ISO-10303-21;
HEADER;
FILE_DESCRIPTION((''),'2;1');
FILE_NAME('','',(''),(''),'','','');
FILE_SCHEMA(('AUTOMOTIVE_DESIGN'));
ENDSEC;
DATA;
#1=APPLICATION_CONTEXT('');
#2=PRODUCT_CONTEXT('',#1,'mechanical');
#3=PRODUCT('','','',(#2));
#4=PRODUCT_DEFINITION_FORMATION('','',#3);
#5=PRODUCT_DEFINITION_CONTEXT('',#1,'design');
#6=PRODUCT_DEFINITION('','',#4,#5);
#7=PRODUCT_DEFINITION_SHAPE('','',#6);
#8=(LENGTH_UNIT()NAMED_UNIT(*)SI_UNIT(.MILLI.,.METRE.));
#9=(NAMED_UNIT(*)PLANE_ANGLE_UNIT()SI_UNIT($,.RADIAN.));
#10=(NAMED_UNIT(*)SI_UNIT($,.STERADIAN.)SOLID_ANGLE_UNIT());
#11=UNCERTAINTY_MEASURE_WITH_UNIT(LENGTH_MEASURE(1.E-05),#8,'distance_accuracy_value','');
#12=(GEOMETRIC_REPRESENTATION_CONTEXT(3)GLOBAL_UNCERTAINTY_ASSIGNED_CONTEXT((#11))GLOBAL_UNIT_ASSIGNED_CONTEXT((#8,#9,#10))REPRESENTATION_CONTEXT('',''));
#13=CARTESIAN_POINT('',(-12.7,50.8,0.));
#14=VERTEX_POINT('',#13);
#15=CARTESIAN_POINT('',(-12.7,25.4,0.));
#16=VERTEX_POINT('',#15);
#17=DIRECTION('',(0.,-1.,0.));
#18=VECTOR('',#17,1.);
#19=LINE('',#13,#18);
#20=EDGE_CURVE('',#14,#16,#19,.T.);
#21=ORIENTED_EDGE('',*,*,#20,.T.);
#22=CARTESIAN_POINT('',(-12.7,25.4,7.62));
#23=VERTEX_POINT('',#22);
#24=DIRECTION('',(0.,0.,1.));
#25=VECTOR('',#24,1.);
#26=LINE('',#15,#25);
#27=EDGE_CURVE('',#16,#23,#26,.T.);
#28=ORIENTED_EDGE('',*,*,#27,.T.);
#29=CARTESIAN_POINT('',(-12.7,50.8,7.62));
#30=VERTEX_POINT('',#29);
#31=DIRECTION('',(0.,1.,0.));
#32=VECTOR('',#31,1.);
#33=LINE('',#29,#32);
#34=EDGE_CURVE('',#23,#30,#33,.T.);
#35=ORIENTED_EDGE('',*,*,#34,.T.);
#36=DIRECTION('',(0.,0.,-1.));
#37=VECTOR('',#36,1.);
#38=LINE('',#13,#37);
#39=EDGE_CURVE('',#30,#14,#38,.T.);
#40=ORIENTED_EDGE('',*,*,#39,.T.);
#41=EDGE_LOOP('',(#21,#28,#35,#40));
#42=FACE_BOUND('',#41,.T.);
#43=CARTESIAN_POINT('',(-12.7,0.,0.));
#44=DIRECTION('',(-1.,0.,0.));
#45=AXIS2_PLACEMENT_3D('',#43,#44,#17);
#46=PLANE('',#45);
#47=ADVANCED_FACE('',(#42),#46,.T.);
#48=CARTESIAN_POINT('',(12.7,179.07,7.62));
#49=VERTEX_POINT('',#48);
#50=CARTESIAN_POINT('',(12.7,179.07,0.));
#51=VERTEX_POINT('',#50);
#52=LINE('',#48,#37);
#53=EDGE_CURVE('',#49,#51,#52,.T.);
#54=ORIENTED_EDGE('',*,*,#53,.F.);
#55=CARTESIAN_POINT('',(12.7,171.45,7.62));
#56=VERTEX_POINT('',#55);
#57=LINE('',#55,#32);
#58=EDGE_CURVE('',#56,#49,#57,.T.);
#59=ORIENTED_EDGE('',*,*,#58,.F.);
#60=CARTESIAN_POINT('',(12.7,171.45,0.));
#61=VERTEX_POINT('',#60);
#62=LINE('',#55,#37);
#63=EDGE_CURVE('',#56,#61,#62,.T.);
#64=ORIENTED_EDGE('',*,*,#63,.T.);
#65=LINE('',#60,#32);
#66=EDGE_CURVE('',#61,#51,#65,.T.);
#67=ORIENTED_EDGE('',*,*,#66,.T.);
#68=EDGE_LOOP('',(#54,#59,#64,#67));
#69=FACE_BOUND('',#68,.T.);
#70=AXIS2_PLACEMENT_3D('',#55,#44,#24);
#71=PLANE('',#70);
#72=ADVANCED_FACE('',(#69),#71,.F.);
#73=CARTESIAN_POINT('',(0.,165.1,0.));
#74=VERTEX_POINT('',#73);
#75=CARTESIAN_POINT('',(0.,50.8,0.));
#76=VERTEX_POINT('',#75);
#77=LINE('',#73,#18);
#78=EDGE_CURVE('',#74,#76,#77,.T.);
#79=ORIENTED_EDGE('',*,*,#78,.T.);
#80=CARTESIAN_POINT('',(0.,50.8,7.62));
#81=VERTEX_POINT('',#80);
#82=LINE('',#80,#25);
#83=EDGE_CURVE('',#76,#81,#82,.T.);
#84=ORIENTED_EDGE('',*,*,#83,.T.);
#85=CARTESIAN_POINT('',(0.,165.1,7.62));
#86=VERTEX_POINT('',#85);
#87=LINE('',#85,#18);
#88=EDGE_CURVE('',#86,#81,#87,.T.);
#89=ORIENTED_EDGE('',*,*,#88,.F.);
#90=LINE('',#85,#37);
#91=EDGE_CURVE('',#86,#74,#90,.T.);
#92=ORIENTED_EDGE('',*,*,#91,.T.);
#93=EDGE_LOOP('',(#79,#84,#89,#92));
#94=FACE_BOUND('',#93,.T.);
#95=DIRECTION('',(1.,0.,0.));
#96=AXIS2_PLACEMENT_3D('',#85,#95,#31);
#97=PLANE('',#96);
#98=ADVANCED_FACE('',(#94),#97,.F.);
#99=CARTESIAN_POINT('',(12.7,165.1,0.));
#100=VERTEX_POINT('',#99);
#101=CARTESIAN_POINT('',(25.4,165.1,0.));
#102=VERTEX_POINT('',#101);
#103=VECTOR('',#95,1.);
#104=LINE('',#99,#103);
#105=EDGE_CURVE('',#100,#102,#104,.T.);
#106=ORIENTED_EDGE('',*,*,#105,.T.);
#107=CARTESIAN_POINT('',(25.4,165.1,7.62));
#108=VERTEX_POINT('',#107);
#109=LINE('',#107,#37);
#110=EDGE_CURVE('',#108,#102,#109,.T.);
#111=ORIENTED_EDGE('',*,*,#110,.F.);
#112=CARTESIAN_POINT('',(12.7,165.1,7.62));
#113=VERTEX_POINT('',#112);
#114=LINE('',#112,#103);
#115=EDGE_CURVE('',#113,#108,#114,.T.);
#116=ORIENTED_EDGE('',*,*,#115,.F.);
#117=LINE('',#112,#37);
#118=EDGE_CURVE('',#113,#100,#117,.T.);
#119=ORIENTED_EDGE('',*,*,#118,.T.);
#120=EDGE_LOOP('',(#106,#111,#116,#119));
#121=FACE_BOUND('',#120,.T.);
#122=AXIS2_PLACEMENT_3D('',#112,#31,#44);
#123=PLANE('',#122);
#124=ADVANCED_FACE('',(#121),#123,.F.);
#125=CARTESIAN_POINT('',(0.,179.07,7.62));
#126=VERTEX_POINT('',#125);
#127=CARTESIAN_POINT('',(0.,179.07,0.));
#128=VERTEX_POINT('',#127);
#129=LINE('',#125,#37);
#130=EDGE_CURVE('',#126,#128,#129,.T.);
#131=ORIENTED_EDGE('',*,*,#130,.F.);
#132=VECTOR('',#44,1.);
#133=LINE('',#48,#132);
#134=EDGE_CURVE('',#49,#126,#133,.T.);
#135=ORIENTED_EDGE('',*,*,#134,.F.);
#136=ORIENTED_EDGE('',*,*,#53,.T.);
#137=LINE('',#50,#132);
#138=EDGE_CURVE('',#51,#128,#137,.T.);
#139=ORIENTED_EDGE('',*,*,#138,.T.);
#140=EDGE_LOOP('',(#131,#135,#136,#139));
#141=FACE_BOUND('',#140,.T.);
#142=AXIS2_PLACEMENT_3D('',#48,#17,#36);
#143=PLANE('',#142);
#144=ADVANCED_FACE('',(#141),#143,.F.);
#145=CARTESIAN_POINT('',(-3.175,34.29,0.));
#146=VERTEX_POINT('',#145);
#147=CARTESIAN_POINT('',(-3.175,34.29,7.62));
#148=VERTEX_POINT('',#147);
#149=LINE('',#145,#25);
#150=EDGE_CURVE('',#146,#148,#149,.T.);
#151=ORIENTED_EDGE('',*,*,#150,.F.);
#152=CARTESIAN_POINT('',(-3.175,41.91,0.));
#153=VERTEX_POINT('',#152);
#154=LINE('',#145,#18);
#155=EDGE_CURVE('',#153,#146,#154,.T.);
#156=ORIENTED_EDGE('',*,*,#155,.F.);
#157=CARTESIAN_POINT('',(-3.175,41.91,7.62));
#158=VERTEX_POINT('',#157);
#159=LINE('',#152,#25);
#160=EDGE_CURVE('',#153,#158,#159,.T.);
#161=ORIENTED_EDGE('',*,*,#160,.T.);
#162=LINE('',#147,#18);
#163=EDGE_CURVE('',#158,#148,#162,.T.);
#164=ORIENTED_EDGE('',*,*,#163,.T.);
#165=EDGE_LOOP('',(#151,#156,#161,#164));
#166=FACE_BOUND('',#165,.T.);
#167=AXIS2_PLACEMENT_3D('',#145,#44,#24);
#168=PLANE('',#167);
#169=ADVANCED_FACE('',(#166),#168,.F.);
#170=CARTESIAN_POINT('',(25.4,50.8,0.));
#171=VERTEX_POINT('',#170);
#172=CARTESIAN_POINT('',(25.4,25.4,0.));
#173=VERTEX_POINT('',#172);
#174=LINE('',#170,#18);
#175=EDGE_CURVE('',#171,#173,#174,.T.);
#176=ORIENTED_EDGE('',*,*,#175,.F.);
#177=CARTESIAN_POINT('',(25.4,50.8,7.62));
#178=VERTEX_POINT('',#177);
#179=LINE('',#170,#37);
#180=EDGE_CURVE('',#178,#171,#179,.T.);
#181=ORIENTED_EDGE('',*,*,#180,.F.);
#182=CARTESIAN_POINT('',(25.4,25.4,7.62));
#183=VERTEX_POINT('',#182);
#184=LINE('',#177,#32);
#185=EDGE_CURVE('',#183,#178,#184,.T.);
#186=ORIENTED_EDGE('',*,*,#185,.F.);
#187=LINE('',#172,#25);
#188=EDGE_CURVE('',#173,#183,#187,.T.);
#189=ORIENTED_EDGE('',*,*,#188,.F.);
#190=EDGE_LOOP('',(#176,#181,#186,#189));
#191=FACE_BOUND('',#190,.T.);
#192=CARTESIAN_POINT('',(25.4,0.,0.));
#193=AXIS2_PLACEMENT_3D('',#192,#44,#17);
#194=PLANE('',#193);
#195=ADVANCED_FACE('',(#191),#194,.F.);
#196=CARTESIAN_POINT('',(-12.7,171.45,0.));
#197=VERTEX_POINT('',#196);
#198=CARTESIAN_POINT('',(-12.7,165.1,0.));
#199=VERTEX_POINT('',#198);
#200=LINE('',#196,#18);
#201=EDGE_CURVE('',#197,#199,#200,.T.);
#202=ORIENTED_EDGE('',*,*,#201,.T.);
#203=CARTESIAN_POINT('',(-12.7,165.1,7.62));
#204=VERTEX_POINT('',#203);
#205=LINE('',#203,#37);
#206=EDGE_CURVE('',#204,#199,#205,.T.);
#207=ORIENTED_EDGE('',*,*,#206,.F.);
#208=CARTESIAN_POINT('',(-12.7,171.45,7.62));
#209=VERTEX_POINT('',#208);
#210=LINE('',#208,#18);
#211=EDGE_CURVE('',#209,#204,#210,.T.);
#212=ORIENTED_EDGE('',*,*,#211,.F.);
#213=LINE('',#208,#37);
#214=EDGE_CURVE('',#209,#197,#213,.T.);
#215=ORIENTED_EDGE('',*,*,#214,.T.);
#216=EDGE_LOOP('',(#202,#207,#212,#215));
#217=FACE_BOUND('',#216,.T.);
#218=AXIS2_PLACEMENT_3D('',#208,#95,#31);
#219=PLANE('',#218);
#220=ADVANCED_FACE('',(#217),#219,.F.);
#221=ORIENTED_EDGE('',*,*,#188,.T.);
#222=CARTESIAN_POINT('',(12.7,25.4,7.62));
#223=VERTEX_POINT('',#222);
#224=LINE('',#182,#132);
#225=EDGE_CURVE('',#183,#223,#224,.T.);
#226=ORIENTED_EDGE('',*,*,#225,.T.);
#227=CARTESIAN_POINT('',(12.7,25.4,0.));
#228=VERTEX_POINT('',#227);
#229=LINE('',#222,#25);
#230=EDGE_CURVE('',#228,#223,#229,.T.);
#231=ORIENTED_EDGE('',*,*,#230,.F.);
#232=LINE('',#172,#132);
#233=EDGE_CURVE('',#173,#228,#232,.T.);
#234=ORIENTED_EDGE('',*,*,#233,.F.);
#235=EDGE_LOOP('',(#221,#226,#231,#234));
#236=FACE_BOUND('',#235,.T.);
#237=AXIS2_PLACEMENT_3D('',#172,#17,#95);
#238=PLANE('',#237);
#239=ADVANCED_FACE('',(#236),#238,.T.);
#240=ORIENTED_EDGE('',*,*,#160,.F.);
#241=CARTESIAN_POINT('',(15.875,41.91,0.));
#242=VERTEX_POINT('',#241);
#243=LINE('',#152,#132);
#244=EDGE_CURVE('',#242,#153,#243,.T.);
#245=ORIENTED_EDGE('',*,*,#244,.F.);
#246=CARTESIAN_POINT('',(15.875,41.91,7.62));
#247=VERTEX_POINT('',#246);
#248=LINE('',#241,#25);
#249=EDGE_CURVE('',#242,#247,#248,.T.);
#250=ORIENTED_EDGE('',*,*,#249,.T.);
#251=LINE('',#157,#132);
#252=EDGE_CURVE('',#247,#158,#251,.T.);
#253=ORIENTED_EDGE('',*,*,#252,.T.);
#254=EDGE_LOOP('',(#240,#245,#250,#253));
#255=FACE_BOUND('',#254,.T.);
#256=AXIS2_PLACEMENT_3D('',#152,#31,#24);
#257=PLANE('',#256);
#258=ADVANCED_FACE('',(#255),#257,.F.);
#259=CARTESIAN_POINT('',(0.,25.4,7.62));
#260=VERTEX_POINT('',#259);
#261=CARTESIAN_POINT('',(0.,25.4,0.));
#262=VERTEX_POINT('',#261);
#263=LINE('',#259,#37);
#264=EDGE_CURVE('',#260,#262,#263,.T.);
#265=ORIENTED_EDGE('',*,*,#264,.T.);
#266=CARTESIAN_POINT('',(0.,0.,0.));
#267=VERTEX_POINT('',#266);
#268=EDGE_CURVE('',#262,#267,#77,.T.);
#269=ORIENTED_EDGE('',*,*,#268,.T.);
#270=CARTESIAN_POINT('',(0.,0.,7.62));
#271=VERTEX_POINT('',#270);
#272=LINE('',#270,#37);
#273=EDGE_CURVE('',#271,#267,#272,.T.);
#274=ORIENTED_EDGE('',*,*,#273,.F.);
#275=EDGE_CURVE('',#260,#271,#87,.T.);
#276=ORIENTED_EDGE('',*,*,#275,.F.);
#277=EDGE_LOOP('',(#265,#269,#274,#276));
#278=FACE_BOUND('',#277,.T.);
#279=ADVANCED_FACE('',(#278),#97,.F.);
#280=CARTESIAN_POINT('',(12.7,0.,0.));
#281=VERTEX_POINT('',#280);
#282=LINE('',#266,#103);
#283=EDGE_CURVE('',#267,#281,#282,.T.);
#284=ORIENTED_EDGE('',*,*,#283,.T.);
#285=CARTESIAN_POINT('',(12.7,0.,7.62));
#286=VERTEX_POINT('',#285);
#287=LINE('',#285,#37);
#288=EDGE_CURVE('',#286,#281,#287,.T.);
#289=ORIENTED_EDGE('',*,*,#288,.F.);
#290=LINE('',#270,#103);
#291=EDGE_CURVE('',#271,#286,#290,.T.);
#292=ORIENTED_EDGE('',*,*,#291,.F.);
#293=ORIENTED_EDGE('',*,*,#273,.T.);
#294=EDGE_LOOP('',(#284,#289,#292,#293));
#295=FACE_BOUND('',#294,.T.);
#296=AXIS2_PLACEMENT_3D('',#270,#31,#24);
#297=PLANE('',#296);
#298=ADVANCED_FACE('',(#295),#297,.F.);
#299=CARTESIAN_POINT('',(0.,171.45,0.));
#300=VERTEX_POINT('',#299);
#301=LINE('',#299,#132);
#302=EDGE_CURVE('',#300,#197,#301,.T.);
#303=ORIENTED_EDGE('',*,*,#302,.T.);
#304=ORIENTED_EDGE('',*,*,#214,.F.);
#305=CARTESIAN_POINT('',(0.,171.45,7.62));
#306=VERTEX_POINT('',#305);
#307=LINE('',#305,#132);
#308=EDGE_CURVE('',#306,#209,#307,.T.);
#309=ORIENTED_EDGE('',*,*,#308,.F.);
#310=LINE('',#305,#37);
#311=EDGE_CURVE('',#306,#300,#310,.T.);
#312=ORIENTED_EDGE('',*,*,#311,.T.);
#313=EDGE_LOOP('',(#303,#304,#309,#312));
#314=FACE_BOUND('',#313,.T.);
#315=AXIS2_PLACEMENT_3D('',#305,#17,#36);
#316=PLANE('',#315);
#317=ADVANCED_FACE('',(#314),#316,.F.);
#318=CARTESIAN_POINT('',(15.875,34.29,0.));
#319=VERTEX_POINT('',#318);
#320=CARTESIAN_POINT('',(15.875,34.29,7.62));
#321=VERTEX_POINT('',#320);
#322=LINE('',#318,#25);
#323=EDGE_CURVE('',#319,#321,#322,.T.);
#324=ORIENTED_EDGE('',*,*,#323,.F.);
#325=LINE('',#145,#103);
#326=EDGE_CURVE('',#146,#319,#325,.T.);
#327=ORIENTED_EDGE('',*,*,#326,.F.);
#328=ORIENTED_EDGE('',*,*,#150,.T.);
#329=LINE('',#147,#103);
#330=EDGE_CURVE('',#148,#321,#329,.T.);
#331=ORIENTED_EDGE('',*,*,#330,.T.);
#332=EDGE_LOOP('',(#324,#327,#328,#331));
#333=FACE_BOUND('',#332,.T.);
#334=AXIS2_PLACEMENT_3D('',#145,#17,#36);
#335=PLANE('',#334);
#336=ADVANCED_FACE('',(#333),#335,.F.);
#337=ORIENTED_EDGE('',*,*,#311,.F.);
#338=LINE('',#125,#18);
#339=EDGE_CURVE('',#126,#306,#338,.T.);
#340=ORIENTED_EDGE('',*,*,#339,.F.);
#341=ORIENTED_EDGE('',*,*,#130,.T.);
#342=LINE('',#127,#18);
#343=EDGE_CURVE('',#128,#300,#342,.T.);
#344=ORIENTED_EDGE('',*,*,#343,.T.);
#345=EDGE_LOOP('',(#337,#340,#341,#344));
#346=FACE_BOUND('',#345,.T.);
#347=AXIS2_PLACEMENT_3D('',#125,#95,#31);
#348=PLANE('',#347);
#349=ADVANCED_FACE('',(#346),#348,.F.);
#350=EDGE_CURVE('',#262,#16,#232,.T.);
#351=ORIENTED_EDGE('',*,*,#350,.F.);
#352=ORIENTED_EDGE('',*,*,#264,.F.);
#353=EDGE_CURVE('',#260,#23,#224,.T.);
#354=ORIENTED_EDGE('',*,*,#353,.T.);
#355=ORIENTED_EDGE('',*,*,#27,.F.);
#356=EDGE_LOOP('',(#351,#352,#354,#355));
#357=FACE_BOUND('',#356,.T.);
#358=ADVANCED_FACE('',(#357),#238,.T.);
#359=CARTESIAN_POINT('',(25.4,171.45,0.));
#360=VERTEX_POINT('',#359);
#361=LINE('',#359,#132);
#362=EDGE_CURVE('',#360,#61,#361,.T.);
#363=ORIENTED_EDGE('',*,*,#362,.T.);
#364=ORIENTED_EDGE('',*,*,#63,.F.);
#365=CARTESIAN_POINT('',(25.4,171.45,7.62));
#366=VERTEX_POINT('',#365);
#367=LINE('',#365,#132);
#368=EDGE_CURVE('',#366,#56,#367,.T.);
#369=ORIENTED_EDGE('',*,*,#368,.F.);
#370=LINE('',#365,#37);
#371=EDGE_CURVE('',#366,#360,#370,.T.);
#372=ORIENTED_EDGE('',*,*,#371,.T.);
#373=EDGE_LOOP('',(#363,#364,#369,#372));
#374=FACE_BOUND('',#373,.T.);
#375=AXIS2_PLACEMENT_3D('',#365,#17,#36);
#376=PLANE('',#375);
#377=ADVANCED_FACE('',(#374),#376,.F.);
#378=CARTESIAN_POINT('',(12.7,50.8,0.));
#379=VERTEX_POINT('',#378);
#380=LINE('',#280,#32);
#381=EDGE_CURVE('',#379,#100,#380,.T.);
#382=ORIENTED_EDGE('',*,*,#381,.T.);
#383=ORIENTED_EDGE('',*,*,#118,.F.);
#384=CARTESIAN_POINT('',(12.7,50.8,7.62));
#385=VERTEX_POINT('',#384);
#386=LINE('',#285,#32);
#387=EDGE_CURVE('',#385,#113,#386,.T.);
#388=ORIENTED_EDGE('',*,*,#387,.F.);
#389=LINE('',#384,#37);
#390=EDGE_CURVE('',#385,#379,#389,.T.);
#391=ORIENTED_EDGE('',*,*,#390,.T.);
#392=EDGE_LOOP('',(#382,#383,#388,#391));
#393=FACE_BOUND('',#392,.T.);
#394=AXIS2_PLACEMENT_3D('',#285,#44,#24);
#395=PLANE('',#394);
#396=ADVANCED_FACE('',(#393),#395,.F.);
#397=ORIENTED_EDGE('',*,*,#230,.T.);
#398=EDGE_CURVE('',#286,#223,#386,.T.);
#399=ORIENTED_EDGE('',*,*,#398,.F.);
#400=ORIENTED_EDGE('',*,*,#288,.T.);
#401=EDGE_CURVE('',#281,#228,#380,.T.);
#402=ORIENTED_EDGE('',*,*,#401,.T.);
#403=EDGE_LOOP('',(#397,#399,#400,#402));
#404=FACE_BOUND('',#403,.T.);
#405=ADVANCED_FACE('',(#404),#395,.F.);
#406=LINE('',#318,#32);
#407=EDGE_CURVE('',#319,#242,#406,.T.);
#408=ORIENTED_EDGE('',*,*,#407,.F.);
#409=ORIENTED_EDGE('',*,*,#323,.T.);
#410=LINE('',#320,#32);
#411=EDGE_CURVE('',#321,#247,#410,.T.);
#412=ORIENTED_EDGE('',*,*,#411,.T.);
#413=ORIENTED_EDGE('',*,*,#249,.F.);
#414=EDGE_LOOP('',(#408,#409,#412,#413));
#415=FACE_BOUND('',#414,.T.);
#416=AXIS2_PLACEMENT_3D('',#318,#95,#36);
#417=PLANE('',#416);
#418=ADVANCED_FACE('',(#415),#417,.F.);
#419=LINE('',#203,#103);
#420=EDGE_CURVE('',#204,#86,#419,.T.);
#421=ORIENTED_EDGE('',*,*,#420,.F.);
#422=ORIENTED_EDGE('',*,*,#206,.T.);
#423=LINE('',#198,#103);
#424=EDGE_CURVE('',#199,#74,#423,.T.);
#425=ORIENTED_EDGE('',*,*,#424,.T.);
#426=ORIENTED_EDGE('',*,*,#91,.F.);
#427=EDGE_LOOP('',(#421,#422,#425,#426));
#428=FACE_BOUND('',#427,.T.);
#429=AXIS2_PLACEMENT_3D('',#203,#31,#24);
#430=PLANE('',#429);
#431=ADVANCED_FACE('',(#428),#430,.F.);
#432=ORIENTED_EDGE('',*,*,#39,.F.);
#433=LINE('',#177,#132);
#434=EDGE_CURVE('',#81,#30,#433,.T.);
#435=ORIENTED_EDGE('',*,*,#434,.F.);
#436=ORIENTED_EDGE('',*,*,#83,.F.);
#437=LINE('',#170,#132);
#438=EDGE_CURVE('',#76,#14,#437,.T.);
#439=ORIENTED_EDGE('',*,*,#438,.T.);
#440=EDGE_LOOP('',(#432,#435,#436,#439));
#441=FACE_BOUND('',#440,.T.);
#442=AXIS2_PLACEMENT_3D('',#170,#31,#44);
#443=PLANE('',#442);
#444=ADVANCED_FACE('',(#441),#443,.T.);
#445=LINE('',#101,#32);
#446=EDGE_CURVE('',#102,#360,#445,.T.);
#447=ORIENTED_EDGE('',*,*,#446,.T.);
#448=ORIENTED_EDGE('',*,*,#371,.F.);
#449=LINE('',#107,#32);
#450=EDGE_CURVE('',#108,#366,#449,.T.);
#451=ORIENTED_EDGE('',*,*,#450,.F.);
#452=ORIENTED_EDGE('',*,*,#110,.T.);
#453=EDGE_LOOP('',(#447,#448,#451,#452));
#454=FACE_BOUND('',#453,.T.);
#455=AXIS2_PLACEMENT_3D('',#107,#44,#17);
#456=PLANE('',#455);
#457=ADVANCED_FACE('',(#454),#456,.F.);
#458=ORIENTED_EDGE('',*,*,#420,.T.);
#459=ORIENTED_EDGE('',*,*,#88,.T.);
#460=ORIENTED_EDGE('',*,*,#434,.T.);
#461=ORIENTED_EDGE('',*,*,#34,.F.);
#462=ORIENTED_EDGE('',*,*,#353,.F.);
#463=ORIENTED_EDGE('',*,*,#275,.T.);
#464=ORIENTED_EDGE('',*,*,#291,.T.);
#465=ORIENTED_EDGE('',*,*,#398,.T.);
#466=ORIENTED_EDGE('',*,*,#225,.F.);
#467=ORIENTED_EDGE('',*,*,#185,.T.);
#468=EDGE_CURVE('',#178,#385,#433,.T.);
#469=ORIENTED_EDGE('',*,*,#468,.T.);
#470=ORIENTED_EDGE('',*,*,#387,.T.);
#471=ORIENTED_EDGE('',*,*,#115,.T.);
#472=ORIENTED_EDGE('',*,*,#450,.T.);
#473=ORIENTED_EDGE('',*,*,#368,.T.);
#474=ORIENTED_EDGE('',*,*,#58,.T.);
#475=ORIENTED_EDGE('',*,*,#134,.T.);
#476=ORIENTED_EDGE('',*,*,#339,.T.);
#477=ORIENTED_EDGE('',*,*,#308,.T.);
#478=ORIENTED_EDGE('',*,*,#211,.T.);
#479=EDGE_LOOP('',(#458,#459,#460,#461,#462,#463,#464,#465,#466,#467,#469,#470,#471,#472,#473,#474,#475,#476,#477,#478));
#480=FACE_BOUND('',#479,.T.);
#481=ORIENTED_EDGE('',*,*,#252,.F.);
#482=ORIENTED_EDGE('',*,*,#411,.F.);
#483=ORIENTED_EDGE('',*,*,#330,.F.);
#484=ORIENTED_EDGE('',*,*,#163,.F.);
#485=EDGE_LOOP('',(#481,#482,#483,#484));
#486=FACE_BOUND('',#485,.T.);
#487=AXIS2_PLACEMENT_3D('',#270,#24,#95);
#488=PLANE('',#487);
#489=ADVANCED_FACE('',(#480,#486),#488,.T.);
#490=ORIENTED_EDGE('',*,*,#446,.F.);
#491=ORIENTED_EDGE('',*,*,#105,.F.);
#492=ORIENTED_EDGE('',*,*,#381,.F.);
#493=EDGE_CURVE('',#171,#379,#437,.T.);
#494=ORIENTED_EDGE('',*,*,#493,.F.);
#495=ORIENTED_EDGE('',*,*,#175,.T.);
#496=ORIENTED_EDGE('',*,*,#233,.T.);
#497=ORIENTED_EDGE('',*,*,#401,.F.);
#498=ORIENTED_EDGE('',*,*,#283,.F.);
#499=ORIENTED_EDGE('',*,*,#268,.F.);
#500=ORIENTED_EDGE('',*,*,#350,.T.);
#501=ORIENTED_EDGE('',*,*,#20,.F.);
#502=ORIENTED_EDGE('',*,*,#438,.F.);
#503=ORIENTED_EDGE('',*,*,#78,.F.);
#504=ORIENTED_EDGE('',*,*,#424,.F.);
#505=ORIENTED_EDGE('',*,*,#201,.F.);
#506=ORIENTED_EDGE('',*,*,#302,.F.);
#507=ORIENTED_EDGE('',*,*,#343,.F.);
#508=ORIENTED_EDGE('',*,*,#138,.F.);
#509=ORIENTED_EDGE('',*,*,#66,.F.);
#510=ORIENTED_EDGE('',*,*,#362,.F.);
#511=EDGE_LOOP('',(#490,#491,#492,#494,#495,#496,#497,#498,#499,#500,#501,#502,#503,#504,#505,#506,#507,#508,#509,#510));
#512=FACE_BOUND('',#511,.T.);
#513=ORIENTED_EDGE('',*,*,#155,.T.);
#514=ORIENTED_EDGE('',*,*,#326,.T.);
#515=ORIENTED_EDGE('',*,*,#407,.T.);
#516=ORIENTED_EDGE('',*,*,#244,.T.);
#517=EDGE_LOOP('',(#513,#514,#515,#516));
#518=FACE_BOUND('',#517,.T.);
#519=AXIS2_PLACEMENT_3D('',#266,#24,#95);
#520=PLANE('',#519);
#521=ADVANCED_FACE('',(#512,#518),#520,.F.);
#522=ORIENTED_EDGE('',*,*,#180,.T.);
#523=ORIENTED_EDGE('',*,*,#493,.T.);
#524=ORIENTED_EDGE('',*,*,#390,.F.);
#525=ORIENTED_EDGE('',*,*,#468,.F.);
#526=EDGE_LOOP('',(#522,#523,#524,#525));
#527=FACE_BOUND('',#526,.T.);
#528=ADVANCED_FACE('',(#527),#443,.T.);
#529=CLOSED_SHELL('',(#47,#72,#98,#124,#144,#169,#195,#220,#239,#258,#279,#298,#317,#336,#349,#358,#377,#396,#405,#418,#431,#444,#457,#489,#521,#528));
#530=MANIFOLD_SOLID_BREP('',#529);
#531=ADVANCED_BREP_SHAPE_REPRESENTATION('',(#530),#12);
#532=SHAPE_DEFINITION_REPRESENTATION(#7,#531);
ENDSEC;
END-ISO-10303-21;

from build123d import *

# Parameters (mm, degrees)
BOSS_EXTRUDE1_DEPTH      = 7.62
BOSS_EXTRUDE2_DEPTH      = 12.7
BOSS_EXTRUDE2_DEPTH_BACK = 25.4
SKETCH2_W                = 7.62
SKETCH2_H                = 25.4
SKETCH3_W                = 19.05
SKETCH3_H                = 7.62
CUT_EXTRUDE1_DEPTH       = 182.02289717


with BuildPart() as part:
    # Sketch1 → Boss-Extrude1 (new body)
    with BuildSketch(Plane.XY):
        Polygon((0, 0), (12.7, 0), (12.7, 165.1), (25.4, 165.1), (25.4, 171.45), (12.7, 171.45), (12.7, 179.07), (0, 179.07), (0, 171.45), (-12.7, 171.45), (-12.7, 165.1), (0, 165.1), align=None)
    extrude(amount=BOSS_EXTRUDE1_DEPTH)

    # Sketch2 → Boss-Extrude2 (add, two sides: drawn at the far end of the back side and taken through both)
    with BuildSketch(Plane.ZY.offset(-BOSS_EXTRUDE2_DEPTH_BACK)):
        with Locations((3.81, 38.1)):
            Rectangle(SKETCH2_W, SKETCH2_H)
    extrude(amount=BOSS_EXTRUDE2_DEPTH + BOSS_EXTRUDE2_DEPTH_BACK)

    # Sketch3 → Cut-Extrude1 (cut, through all)
    with BuildSketch(Plane.XY.offset(7.62)):
        with Locations((6.35, 38.1)):
            Rectangle(SKETCH3_W, SKETCH3_H)
    extrude(amount=-CUT_EXTRUDE1_DEPTH, mode=Mode.SUBTRACT)


solid = part.part
